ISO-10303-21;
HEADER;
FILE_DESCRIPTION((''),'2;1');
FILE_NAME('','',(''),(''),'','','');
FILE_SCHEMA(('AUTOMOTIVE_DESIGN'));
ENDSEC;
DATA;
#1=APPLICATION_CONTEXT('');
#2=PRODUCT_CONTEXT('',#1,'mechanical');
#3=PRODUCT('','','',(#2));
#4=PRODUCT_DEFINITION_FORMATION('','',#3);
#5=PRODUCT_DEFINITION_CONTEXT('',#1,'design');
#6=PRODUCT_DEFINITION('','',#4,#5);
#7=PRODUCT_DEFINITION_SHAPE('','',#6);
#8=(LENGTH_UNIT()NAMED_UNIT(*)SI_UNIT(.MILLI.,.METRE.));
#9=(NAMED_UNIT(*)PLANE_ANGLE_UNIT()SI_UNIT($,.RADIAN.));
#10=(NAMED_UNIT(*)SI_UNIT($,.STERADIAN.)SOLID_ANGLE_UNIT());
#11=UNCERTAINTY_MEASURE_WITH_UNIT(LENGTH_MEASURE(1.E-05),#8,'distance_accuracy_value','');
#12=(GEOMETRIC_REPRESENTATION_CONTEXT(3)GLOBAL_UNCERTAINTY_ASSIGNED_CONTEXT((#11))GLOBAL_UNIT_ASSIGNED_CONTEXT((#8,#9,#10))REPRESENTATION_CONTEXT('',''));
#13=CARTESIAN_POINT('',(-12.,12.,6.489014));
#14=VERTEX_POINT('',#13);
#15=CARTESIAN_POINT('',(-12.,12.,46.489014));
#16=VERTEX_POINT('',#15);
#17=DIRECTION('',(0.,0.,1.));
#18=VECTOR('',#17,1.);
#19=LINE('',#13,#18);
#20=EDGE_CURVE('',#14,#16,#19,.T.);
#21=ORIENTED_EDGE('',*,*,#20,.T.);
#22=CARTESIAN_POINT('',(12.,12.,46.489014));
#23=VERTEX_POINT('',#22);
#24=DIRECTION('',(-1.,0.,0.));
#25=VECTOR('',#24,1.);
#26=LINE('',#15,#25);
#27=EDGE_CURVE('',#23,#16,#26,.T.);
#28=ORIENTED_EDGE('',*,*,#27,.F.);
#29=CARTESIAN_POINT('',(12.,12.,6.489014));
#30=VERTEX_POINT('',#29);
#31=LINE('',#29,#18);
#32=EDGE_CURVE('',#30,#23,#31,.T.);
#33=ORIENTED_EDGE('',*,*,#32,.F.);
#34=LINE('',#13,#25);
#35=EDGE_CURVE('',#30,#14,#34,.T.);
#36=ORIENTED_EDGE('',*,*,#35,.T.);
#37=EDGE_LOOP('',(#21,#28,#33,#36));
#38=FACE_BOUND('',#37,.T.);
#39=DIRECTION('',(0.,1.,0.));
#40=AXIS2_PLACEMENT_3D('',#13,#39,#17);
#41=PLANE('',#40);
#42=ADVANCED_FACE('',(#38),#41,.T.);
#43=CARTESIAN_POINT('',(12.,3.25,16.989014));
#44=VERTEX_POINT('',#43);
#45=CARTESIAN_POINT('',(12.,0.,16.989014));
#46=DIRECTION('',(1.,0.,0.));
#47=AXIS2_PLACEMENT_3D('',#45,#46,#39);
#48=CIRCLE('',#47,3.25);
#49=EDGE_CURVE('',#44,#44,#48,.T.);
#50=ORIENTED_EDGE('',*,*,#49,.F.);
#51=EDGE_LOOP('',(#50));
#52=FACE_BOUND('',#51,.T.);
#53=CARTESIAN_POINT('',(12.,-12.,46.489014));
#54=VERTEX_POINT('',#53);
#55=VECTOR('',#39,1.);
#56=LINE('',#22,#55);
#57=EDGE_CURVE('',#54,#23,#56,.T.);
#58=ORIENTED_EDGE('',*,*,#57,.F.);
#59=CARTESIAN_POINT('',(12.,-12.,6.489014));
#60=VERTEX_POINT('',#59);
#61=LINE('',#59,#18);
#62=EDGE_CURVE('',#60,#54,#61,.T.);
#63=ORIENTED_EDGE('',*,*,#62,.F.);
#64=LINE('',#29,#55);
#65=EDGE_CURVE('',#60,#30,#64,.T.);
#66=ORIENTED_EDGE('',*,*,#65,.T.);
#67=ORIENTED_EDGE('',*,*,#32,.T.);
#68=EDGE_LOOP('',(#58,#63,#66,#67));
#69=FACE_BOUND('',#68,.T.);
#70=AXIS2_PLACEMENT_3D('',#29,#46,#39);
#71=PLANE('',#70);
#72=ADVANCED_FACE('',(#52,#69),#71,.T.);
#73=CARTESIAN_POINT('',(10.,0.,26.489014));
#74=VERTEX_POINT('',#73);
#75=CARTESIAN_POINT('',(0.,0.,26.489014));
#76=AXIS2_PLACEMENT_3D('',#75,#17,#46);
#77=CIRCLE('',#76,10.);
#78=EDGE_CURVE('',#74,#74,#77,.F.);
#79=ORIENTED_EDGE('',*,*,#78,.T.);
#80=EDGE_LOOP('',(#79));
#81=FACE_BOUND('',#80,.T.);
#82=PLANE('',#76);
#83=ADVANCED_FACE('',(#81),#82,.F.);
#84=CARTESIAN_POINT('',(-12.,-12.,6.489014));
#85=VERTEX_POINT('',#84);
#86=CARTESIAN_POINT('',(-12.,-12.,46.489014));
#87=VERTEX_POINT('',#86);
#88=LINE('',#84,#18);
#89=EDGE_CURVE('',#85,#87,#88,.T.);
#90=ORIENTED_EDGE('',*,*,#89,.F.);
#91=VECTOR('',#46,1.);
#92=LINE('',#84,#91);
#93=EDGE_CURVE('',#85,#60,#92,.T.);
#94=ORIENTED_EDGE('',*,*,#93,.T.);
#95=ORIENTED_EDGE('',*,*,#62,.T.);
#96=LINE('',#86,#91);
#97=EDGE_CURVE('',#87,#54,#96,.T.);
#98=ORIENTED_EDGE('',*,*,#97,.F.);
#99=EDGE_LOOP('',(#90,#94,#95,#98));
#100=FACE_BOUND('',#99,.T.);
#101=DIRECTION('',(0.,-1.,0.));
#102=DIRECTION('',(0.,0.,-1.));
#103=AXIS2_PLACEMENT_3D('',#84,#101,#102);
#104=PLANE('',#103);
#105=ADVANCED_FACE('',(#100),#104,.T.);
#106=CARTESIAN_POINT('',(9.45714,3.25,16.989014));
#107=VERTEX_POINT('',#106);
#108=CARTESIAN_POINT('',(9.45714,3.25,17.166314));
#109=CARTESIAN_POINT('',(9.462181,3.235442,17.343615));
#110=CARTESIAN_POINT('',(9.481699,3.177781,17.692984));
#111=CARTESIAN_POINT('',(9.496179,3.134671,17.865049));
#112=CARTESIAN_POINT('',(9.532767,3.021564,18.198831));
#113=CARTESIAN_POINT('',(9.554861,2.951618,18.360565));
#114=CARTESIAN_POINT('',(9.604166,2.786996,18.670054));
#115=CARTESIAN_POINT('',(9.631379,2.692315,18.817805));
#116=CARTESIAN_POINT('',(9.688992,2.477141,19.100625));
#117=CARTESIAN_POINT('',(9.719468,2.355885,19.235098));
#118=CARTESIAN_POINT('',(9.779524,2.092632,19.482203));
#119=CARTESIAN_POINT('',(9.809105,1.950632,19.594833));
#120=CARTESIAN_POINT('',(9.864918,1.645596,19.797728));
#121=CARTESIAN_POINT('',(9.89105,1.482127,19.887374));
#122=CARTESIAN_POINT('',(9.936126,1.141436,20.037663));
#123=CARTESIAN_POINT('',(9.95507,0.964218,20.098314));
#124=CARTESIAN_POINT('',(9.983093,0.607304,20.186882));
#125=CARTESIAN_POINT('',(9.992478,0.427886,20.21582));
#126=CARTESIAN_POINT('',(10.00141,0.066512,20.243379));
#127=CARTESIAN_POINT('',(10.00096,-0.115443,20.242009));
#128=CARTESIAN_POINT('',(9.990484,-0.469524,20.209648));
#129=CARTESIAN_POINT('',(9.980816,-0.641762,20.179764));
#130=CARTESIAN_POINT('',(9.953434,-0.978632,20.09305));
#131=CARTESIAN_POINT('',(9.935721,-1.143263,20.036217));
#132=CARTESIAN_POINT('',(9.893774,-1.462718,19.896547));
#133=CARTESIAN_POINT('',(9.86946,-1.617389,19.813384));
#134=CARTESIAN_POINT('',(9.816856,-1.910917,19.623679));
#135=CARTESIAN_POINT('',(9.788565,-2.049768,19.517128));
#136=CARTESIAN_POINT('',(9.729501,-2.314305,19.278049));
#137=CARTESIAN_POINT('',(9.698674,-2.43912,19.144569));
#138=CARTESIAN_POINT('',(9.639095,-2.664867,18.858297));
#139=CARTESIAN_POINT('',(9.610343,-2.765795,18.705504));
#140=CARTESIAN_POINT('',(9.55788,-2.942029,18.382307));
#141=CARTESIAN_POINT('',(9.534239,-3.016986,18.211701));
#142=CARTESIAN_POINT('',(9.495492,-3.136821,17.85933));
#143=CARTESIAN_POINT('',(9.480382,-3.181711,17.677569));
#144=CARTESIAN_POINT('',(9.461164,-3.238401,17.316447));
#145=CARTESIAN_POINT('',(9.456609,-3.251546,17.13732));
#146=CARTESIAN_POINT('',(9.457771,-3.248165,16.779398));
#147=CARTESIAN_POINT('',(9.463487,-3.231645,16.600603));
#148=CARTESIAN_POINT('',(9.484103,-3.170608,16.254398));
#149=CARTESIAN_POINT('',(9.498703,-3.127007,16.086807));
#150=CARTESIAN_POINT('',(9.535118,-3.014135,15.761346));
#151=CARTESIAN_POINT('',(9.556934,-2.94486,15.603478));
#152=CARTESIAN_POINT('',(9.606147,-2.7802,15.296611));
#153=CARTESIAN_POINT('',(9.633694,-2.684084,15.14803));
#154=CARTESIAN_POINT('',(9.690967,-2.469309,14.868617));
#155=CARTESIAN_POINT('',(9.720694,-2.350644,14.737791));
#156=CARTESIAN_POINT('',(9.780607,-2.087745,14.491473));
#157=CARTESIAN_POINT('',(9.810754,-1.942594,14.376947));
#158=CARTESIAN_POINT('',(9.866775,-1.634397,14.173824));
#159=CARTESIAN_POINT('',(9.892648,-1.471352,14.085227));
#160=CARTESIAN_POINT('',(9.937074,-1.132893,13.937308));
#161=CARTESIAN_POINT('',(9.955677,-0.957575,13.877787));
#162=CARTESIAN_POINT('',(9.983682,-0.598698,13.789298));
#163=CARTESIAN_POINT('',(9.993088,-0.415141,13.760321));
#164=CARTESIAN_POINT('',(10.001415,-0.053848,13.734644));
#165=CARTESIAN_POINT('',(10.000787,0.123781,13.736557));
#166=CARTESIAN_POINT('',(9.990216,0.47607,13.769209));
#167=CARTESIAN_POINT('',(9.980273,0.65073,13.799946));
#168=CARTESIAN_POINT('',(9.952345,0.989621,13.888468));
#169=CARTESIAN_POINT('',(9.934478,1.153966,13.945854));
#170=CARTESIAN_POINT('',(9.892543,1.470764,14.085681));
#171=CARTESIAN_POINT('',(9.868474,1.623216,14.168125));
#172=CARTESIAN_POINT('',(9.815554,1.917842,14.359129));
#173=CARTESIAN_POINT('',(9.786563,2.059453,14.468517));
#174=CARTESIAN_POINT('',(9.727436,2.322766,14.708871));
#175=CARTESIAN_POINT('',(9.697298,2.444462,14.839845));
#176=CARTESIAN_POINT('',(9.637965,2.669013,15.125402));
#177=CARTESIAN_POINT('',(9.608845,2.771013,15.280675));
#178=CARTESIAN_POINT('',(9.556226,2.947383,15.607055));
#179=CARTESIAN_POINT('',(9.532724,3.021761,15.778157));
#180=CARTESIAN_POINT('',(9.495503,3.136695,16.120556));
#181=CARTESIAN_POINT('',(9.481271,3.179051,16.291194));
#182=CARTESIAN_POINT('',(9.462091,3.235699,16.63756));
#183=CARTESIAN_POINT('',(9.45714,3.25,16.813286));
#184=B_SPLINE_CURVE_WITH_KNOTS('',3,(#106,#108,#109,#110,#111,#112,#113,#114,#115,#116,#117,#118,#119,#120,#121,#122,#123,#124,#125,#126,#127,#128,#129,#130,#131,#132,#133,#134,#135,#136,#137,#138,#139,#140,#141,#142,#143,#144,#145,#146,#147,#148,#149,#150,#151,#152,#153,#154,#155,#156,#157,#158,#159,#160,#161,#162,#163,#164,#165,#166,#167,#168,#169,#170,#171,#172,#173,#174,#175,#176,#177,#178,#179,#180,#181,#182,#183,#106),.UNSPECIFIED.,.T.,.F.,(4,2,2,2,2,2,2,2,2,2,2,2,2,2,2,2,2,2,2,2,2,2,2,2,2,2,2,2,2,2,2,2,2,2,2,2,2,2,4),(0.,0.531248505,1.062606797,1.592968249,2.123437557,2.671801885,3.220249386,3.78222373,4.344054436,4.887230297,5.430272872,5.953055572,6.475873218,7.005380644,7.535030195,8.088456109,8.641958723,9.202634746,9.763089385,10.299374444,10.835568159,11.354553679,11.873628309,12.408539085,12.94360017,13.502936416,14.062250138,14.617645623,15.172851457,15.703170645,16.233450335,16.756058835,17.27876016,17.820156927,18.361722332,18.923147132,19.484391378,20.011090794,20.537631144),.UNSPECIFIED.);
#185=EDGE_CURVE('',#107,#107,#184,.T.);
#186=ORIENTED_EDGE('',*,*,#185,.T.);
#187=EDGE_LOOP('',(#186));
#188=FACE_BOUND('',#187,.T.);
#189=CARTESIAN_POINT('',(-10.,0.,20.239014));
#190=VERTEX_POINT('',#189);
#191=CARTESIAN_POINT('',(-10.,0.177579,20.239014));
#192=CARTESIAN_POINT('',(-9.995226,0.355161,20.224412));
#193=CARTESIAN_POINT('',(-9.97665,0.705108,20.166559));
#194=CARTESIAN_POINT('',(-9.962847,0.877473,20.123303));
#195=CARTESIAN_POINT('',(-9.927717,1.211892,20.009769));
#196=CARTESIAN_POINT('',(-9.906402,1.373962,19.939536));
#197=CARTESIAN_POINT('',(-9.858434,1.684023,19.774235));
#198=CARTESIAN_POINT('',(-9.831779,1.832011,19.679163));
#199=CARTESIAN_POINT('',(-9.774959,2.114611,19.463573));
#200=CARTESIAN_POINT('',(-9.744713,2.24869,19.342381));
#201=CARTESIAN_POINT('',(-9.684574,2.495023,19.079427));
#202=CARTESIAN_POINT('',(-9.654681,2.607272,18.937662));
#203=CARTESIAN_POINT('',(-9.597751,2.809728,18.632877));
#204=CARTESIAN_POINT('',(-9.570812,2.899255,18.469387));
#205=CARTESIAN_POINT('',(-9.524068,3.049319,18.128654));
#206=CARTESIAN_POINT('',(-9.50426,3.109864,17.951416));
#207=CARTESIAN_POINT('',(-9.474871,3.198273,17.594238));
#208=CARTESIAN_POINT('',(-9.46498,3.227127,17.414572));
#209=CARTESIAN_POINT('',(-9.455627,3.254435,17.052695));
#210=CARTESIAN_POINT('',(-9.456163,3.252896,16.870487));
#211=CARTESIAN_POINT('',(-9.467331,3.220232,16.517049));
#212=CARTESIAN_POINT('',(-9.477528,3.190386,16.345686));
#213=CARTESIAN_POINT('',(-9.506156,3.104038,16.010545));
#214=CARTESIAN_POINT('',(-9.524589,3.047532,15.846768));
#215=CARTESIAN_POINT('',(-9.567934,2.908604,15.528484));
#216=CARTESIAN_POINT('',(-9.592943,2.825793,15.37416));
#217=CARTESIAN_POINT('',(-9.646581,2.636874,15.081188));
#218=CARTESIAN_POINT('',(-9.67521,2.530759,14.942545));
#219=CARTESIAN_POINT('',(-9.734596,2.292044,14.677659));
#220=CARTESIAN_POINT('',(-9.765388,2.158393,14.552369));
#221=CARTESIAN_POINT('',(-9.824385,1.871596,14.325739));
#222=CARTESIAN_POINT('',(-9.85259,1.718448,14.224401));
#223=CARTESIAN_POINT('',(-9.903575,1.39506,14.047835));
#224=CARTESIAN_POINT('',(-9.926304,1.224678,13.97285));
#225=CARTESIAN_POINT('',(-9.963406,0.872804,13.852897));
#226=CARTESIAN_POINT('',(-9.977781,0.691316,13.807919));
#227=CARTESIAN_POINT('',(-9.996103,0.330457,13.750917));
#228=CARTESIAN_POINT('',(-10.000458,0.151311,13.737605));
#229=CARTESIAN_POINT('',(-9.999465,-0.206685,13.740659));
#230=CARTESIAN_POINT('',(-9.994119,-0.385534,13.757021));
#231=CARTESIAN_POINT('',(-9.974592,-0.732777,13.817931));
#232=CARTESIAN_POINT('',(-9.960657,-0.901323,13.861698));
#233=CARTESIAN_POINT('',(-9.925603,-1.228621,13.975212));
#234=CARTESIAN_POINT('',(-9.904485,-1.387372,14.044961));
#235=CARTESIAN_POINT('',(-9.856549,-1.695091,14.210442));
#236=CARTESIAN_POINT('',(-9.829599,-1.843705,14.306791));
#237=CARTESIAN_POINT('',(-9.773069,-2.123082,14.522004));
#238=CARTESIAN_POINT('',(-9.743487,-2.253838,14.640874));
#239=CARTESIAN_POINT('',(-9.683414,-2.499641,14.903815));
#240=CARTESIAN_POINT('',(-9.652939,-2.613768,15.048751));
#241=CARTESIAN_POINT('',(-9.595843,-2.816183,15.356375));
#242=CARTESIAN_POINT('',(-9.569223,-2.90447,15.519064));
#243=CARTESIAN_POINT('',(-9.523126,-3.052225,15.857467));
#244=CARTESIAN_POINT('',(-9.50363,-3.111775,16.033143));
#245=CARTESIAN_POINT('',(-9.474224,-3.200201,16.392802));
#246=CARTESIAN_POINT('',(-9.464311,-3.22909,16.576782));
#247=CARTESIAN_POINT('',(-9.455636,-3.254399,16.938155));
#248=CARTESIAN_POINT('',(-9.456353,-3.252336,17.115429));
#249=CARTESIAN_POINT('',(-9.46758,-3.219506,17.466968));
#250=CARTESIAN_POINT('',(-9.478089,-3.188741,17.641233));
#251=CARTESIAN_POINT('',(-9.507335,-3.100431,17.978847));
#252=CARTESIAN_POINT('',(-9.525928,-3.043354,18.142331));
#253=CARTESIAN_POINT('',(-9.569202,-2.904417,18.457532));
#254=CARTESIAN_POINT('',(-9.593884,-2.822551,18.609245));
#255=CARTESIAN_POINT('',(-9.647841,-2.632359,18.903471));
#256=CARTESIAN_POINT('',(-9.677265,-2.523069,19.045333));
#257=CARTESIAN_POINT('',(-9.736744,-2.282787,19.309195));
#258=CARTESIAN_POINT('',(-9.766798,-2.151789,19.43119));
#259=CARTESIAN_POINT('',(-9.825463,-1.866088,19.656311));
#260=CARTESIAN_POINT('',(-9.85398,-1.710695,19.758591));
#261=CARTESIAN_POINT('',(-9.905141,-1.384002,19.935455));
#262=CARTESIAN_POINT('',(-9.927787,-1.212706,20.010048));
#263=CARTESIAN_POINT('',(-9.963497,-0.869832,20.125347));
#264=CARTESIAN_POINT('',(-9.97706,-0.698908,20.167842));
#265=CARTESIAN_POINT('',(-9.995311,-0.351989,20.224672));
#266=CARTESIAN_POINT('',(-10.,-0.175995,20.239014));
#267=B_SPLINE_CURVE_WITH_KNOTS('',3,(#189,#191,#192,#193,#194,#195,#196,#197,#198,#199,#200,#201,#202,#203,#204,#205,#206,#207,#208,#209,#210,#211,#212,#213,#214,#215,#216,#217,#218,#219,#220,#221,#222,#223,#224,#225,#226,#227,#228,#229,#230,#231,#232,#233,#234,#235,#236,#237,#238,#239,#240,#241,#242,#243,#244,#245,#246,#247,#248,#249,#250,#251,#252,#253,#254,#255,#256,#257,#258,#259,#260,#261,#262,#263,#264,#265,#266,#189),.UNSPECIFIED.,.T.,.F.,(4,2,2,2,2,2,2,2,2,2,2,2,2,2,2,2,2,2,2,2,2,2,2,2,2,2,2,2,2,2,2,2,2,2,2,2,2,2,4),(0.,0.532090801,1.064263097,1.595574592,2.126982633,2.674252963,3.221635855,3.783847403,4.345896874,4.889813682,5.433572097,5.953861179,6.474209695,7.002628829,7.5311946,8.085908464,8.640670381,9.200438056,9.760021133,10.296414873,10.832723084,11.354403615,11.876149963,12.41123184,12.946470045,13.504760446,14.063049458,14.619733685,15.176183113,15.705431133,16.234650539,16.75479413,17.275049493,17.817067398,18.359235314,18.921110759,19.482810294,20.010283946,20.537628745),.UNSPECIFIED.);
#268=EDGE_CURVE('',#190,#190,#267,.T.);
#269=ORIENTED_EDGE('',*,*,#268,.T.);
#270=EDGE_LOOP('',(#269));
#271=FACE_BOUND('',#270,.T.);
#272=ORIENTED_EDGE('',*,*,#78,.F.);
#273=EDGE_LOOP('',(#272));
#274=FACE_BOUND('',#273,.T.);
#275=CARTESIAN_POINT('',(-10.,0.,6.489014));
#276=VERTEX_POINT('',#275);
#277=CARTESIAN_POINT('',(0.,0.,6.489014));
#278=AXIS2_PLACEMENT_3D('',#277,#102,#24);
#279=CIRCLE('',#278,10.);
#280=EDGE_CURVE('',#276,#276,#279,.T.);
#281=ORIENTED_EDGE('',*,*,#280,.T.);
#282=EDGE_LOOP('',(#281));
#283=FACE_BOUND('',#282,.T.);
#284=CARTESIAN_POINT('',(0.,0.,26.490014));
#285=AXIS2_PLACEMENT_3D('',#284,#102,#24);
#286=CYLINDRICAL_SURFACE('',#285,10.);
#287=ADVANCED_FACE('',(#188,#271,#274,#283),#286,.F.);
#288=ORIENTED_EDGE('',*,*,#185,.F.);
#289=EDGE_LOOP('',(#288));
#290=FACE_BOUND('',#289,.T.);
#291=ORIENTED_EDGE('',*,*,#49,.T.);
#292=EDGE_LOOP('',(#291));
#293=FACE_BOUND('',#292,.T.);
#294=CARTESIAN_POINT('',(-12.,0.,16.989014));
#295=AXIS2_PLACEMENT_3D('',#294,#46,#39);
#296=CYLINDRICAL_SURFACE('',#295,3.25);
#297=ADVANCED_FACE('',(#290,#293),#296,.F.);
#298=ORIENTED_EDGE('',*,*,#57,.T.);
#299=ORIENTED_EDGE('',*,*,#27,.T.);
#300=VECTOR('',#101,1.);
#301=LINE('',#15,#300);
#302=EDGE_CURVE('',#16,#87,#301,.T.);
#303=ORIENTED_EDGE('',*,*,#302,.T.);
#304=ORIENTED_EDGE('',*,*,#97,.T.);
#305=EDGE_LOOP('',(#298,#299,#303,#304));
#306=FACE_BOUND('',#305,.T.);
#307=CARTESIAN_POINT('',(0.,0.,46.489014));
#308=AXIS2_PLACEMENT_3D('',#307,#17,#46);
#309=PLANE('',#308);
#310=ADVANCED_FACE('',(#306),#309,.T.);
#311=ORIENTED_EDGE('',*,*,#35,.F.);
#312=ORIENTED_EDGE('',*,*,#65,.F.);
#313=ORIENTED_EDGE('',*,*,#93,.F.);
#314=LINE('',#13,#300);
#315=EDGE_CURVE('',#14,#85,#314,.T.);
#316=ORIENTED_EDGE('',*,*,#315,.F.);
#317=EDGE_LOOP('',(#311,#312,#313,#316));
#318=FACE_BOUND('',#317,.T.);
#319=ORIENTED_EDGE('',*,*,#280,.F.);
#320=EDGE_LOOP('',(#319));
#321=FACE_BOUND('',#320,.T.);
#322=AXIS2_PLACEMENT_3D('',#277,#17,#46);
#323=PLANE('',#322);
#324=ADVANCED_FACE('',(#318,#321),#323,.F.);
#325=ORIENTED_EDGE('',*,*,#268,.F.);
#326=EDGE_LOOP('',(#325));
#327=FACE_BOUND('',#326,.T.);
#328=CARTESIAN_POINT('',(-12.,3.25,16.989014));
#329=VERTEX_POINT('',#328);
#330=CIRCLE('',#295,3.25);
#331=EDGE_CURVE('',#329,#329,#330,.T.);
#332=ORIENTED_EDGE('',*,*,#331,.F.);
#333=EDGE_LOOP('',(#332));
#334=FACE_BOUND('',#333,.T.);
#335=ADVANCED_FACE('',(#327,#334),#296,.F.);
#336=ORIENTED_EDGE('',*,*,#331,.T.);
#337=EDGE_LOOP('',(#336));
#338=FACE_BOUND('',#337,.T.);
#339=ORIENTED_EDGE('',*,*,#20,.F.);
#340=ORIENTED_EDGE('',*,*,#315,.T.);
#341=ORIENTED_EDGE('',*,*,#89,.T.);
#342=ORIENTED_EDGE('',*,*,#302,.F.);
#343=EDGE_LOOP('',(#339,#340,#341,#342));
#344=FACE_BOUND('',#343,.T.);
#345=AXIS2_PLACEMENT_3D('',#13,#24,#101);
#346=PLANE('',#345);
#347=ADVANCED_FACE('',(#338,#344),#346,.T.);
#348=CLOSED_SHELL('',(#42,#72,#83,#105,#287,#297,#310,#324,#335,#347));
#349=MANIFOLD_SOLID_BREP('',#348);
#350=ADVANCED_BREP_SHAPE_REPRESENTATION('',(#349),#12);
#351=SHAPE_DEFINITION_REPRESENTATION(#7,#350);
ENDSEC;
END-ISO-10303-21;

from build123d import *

# Parameters (mm, degrees)
SKETCH_3_W          = 24
SKETCH_3_H          = 24
EXTRUDE_1_DEPTH     = 20
CUT_EXTRUDE_1_REACH = 28.23
SKETCH_4_R          = 10
SKETCH_6_W          = 24
SKETCH_6_H          = 24
EXTRUDE_2_DEPTH     = 20
SKETCH_8_R          = 3.25
CUT_EXTRUDE_2_DEPTH = 54.677075735


with BuildPart() as part:
    # 草图3 → 凸台-拉伸1 (new body)
    with BuildSketch(Plane.XY.offset(26.489014396)):
        Rectangle(SKETCH_3_W, SKETCH_3_H)
    extrude(amount=-EXTRUDE_1_DEPTH)

    # 草图4 → 切除-拉伸1 (cut, up to next)
    with BuildSketch(Plane(origin=(0, 0, 6.489014396), x_dir=(-1, 0, 0), z_dir=(0, 0, -1)), mode=Mode.PRIVATE) as cut_extrude_1_sk1:
        Circle(SKETCH_4_R)
    cut_extrude_1_tool1 = extrude(cut_extrude_1_sk1.sketch, amount=-CUT_EXTRUDE_1_REACH, mode=Mode.PRIVATE) & part.part
    add(cut_extrude_1_tool1.solids().sort_by_distance((0, 0, 6.489014))[0], mode=Mode.SUBTRACT)

    # 草图6 → 凸台-拉伸2 (add)
    with BuildSketch(Plane.XY.offset(26.489014396)):
        Rectangle(SKETCH_6_W, SKETCH_6_H)
    extrude(amount=EXTRUDE_2_DEPTH)

    # 草图8 → 切除-拉伸2 (cut, through all)
    with BuildSketch(Plane(origin=(12, 0, 0), x_dir=(0, 0, -1), z_dir=(1, 0, 0))):
        with Locations(Location((-16.989014396, 0, 0), (0, 0, 90))):
            Circle(SKETCH_8_R)
    extrude(amount=-CUT_EXTRUDE_2_DEPTH, mode=Mode.SUBTRACT)


solid = part.part
